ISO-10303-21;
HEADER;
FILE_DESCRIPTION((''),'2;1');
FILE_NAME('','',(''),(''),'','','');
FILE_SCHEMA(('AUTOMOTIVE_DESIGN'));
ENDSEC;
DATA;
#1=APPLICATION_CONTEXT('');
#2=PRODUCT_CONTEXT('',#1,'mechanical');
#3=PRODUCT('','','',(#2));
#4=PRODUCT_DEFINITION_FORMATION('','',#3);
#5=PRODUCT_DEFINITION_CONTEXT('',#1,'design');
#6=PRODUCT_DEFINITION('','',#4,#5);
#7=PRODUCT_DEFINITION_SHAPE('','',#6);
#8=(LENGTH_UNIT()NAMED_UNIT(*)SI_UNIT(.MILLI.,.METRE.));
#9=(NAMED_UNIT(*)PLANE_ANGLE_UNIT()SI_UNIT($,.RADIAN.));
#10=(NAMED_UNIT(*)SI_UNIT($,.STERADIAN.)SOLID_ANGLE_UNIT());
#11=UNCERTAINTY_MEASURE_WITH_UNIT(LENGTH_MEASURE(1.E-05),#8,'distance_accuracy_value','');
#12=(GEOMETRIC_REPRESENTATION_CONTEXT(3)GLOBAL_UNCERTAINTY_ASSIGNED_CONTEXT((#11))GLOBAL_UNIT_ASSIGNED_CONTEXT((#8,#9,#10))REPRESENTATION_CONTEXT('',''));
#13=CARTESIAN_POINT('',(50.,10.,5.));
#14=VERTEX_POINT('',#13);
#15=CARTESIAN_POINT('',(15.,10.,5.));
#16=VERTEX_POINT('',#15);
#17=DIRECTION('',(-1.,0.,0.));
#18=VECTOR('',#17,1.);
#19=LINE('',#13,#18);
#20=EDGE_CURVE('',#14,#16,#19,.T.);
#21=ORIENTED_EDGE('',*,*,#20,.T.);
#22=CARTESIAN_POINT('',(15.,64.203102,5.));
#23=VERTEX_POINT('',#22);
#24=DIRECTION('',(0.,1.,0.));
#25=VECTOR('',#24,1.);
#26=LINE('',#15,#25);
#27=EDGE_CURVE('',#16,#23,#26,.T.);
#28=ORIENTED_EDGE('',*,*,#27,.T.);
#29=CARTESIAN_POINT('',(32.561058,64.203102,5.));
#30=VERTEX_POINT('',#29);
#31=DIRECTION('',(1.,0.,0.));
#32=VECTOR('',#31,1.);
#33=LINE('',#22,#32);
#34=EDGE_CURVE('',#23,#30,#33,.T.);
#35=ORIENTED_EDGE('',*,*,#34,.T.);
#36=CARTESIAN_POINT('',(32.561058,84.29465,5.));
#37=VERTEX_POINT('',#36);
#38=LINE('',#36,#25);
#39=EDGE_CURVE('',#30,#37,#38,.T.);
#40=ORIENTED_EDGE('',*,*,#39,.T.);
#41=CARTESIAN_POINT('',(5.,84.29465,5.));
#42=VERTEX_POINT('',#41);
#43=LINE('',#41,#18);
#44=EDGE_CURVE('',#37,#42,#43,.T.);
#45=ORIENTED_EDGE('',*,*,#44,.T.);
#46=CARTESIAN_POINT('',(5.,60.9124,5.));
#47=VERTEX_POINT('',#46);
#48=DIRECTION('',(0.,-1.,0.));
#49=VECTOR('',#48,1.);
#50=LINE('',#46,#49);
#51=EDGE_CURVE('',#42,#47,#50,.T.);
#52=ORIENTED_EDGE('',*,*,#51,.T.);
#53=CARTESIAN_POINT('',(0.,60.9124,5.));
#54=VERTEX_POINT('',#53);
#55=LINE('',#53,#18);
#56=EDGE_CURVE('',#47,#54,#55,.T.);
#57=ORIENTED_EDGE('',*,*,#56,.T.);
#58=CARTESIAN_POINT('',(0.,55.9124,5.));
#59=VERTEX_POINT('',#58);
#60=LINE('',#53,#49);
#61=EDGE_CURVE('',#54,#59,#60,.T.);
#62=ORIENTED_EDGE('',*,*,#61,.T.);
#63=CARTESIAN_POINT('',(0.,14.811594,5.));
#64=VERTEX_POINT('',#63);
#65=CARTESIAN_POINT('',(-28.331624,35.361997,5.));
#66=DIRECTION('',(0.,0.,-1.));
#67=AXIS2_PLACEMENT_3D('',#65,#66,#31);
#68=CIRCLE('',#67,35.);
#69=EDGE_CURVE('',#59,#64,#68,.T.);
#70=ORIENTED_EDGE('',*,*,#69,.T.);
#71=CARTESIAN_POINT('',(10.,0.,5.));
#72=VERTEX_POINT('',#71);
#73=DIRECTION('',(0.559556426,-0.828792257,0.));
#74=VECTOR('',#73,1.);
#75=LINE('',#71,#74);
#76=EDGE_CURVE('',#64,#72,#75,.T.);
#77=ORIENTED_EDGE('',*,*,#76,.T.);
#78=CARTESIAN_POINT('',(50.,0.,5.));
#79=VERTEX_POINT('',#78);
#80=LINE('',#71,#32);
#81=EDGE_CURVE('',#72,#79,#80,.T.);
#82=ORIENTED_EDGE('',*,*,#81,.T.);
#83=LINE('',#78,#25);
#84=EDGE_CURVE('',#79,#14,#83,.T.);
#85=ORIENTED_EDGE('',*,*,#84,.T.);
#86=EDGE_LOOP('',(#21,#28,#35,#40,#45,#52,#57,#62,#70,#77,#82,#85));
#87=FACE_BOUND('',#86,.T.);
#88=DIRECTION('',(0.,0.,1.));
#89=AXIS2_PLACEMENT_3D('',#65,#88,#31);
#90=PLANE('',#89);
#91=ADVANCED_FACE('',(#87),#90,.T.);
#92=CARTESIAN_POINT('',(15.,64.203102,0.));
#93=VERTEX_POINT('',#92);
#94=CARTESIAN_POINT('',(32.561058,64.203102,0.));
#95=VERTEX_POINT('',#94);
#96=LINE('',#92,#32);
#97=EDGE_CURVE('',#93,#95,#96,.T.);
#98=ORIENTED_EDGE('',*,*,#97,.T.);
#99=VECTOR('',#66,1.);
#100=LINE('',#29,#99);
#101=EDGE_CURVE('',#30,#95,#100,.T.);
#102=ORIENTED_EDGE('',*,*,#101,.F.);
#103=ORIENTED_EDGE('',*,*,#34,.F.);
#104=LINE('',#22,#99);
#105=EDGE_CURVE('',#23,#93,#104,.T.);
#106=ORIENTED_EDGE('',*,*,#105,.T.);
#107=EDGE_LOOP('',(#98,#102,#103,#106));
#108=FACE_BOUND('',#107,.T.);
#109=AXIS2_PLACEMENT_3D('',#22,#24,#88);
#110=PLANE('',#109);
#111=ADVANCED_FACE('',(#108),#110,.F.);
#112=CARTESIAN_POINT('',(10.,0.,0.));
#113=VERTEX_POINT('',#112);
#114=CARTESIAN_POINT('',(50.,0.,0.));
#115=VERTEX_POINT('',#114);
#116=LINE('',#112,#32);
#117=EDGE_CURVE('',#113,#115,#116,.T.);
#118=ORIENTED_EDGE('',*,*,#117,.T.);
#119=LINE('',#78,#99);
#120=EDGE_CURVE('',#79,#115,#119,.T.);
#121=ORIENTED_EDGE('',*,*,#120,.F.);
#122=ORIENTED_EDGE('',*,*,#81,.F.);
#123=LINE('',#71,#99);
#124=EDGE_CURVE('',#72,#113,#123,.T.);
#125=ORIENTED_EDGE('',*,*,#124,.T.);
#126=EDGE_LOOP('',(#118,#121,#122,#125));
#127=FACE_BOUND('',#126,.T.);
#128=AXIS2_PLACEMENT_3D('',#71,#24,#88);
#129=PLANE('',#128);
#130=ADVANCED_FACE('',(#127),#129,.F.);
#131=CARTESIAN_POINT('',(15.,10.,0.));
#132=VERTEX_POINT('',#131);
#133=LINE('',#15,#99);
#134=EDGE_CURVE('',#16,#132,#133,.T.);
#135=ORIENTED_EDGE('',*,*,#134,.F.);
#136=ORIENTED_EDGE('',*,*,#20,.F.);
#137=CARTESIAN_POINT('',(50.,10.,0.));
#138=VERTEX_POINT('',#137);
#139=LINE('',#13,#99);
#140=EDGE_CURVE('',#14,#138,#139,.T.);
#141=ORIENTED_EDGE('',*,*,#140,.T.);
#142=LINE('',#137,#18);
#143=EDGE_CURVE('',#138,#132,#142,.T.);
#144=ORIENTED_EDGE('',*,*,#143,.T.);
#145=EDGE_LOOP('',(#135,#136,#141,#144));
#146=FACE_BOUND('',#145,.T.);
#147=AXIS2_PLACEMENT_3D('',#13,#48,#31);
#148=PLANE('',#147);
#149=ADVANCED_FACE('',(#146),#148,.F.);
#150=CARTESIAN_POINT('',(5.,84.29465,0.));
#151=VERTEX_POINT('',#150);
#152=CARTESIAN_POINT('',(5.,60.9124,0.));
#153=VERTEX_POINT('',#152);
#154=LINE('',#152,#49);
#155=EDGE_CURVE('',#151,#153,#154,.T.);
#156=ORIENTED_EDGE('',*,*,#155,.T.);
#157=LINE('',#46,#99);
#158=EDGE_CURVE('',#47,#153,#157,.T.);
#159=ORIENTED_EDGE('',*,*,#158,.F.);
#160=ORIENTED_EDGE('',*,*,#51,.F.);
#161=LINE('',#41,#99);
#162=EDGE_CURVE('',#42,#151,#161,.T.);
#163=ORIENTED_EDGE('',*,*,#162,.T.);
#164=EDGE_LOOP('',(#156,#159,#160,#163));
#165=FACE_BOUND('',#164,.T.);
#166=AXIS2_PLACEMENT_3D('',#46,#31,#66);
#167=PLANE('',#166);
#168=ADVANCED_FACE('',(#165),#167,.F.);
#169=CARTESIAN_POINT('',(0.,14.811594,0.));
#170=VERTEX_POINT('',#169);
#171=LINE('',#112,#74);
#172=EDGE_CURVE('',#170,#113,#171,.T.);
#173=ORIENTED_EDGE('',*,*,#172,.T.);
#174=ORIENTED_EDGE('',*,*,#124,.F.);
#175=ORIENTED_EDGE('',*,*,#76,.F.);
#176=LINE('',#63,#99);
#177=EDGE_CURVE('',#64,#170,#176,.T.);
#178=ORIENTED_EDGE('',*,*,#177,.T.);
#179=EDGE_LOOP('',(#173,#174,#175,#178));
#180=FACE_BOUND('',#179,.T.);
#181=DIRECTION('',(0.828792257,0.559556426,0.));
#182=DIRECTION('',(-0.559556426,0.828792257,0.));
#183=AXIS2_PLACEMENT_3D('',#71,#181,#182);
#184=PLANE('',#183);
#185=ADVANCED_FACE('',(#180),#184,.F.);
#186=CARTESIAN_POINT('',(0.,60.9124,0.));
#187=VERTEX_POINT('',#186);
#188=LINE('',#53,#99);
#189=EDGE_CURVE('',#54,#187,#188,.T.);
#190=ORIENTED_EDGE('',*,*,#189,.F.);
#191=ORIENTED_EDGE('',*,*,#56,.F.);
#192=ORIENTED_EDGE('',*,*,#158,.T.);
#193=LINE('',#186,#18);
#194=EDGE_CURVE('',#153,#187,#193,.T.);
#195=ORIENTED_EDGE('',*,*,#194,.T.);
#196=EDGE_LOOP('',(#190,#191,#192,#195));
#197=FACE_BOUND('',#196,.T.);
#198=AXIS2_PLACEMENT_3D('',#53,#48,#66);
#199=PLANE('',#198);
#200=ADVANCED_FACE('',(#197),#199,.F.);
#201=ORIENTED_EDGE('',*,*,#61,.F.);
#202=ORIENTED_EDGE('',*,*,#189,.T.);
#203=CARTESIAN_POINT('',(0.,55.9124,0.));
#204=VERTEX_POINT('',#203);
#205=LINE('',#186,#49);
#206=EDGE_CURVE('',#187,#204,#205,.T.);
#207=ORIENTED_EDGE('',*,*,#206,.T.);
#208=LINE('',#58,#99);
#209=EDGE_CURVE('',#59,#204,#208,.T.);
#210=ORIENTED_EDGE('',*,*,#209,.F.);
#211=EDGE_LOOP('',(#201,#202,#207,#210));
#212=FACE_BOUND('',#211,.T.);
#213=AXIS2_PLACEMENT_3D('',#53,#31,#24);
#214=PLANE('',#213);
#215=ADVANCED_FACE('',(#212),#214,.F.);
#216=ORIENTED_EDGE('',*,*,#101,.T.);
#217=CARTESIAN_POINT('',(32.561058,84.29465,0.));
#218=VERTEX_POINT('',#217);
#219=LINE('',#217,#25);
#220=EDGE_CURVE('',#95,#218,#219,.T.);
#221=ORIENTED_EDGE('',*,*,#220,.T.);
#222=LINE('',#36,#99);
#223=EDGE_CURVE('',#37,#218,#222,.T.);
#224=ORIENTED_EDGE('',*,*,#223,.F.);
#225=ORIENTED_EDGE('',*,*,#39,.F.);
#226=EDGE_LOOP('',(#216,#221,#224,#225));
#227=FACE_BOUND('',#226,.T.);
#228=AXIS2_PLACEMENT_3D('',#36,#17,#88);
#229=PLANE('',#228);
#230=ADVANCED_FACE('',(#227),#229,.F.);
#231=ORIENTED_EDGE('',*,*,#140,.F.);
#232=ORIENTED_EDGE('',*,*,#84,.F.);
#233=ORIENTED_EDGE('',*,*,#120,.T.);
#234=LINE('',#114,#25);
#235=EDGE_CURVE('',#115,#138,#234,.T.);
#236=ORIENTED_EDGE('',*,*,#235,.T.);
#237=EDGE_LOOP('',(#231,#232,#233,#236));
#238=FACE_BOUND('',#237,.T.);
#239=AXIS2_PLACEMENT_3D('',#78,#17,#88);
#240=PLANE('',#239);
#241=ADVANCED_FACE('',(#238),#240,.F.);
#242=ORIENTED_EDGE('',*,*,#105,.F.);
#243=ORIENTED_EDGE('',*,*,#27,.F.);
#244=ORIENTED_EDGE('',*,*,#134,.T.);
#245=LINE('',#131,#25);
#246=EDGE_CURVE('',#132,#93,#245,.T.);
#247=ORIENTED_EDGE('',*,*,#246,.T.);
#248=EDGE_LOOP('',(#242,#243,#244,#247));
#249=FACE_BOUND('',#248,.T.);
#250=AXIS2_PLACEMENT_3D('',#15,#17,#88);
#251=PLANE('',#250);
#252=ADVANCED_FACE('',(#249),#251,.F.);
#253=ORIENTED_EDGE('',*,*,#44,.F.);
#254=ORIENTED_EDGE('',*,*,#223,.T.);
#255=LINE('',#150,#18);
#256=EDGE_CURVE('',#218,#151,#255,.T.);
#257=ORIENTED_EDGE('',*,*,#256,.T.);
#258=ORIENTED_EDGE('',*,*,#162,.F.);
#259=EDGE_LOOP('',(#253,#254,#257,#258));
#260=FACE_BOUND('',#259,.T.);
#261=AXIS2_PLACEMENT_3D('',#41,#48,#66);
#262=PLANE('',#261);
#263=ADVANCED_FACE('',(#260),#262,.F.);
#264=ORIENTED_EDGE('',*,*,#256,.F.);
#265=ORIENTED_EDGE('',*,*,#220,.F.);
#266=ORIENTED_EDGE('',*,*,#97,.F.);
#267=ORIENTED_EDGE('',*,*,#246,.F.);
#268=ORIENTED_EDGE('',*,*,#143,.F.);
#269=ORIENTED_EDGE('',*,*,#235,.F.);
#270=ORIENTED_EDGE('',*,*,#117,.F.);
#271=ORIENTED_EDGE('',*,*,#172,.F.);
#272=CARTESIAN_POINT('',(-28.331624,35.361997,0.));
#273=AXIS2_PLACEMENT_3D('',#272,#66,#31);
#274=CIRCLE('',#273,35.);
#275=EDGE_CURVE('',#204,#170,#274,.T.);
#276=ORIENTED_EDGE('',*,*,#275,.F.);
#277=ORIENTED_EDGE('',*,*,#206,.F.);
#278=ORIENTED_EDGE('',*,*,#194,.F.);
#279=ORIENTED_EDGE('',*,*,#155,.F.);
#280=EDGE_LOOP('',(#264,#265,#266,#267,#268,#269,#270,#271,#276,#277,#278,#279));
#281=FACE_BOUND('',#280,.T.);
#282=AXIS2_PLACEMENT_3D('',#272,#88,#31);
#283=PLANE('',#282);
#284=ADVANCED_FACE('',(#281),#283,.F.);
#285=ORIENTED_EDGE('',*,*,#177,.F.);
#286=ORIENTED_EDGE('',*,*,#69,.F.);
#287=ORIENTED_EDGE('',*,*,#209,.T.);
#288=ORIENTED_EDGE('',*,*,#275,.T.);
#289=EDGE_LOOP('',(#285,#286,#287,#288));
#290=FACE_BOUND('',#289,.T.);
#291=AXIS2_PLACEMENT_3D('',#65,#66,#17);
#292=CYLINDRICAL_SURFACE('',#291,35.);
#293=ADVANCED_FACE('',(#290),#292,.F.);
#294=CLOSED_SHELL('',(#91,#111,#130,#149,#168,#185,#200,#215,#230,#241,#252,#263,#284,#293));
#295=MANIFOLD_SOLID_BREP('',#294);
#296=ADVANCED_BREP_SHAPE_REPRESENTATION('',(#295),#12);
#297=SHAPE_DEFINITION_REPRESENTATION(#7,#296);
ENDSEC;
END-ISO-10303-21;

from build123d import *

# Parameters (mm, degrees)
BOSS_EXTRU_1_DEPTH = 5


with BuildPart() as part:
    # Esquisse1 → Boss.-Extru.1 (new body)
    with BuildSketch(Plane.XY):
        with BuildLine():
            Line((50, 0), (50, 10))
            Line((50, 10), (15, 10))
            Line((15, 10), (15, 64.203101523))
            Line((15, 64.203101523), (32.561057994, 64.203101523))
            Line((32.561057994, 64.203101523), (32.561057994, 84.294650344))
            Line((32.561057994, 84.294650344), (5, 84.294650344))
            Line((5, 84.294650344), (5, 60.912399745))
            Line((5, 60.912399745), (0, 60.912399745))
            Line((0, 60.912399745), (0, 55.912399745))
            ThreePointArc((0, 55.912399745), (6.66837561, 35.361996844), (0, 14.811593943))
            Line((0, 14.811593943), (10, 0))
            Line((10, 0), (50, 0))
        make_face()
    extrude(amount=BOSS_EXTRU_1_DEPTH)


solid = part.part
